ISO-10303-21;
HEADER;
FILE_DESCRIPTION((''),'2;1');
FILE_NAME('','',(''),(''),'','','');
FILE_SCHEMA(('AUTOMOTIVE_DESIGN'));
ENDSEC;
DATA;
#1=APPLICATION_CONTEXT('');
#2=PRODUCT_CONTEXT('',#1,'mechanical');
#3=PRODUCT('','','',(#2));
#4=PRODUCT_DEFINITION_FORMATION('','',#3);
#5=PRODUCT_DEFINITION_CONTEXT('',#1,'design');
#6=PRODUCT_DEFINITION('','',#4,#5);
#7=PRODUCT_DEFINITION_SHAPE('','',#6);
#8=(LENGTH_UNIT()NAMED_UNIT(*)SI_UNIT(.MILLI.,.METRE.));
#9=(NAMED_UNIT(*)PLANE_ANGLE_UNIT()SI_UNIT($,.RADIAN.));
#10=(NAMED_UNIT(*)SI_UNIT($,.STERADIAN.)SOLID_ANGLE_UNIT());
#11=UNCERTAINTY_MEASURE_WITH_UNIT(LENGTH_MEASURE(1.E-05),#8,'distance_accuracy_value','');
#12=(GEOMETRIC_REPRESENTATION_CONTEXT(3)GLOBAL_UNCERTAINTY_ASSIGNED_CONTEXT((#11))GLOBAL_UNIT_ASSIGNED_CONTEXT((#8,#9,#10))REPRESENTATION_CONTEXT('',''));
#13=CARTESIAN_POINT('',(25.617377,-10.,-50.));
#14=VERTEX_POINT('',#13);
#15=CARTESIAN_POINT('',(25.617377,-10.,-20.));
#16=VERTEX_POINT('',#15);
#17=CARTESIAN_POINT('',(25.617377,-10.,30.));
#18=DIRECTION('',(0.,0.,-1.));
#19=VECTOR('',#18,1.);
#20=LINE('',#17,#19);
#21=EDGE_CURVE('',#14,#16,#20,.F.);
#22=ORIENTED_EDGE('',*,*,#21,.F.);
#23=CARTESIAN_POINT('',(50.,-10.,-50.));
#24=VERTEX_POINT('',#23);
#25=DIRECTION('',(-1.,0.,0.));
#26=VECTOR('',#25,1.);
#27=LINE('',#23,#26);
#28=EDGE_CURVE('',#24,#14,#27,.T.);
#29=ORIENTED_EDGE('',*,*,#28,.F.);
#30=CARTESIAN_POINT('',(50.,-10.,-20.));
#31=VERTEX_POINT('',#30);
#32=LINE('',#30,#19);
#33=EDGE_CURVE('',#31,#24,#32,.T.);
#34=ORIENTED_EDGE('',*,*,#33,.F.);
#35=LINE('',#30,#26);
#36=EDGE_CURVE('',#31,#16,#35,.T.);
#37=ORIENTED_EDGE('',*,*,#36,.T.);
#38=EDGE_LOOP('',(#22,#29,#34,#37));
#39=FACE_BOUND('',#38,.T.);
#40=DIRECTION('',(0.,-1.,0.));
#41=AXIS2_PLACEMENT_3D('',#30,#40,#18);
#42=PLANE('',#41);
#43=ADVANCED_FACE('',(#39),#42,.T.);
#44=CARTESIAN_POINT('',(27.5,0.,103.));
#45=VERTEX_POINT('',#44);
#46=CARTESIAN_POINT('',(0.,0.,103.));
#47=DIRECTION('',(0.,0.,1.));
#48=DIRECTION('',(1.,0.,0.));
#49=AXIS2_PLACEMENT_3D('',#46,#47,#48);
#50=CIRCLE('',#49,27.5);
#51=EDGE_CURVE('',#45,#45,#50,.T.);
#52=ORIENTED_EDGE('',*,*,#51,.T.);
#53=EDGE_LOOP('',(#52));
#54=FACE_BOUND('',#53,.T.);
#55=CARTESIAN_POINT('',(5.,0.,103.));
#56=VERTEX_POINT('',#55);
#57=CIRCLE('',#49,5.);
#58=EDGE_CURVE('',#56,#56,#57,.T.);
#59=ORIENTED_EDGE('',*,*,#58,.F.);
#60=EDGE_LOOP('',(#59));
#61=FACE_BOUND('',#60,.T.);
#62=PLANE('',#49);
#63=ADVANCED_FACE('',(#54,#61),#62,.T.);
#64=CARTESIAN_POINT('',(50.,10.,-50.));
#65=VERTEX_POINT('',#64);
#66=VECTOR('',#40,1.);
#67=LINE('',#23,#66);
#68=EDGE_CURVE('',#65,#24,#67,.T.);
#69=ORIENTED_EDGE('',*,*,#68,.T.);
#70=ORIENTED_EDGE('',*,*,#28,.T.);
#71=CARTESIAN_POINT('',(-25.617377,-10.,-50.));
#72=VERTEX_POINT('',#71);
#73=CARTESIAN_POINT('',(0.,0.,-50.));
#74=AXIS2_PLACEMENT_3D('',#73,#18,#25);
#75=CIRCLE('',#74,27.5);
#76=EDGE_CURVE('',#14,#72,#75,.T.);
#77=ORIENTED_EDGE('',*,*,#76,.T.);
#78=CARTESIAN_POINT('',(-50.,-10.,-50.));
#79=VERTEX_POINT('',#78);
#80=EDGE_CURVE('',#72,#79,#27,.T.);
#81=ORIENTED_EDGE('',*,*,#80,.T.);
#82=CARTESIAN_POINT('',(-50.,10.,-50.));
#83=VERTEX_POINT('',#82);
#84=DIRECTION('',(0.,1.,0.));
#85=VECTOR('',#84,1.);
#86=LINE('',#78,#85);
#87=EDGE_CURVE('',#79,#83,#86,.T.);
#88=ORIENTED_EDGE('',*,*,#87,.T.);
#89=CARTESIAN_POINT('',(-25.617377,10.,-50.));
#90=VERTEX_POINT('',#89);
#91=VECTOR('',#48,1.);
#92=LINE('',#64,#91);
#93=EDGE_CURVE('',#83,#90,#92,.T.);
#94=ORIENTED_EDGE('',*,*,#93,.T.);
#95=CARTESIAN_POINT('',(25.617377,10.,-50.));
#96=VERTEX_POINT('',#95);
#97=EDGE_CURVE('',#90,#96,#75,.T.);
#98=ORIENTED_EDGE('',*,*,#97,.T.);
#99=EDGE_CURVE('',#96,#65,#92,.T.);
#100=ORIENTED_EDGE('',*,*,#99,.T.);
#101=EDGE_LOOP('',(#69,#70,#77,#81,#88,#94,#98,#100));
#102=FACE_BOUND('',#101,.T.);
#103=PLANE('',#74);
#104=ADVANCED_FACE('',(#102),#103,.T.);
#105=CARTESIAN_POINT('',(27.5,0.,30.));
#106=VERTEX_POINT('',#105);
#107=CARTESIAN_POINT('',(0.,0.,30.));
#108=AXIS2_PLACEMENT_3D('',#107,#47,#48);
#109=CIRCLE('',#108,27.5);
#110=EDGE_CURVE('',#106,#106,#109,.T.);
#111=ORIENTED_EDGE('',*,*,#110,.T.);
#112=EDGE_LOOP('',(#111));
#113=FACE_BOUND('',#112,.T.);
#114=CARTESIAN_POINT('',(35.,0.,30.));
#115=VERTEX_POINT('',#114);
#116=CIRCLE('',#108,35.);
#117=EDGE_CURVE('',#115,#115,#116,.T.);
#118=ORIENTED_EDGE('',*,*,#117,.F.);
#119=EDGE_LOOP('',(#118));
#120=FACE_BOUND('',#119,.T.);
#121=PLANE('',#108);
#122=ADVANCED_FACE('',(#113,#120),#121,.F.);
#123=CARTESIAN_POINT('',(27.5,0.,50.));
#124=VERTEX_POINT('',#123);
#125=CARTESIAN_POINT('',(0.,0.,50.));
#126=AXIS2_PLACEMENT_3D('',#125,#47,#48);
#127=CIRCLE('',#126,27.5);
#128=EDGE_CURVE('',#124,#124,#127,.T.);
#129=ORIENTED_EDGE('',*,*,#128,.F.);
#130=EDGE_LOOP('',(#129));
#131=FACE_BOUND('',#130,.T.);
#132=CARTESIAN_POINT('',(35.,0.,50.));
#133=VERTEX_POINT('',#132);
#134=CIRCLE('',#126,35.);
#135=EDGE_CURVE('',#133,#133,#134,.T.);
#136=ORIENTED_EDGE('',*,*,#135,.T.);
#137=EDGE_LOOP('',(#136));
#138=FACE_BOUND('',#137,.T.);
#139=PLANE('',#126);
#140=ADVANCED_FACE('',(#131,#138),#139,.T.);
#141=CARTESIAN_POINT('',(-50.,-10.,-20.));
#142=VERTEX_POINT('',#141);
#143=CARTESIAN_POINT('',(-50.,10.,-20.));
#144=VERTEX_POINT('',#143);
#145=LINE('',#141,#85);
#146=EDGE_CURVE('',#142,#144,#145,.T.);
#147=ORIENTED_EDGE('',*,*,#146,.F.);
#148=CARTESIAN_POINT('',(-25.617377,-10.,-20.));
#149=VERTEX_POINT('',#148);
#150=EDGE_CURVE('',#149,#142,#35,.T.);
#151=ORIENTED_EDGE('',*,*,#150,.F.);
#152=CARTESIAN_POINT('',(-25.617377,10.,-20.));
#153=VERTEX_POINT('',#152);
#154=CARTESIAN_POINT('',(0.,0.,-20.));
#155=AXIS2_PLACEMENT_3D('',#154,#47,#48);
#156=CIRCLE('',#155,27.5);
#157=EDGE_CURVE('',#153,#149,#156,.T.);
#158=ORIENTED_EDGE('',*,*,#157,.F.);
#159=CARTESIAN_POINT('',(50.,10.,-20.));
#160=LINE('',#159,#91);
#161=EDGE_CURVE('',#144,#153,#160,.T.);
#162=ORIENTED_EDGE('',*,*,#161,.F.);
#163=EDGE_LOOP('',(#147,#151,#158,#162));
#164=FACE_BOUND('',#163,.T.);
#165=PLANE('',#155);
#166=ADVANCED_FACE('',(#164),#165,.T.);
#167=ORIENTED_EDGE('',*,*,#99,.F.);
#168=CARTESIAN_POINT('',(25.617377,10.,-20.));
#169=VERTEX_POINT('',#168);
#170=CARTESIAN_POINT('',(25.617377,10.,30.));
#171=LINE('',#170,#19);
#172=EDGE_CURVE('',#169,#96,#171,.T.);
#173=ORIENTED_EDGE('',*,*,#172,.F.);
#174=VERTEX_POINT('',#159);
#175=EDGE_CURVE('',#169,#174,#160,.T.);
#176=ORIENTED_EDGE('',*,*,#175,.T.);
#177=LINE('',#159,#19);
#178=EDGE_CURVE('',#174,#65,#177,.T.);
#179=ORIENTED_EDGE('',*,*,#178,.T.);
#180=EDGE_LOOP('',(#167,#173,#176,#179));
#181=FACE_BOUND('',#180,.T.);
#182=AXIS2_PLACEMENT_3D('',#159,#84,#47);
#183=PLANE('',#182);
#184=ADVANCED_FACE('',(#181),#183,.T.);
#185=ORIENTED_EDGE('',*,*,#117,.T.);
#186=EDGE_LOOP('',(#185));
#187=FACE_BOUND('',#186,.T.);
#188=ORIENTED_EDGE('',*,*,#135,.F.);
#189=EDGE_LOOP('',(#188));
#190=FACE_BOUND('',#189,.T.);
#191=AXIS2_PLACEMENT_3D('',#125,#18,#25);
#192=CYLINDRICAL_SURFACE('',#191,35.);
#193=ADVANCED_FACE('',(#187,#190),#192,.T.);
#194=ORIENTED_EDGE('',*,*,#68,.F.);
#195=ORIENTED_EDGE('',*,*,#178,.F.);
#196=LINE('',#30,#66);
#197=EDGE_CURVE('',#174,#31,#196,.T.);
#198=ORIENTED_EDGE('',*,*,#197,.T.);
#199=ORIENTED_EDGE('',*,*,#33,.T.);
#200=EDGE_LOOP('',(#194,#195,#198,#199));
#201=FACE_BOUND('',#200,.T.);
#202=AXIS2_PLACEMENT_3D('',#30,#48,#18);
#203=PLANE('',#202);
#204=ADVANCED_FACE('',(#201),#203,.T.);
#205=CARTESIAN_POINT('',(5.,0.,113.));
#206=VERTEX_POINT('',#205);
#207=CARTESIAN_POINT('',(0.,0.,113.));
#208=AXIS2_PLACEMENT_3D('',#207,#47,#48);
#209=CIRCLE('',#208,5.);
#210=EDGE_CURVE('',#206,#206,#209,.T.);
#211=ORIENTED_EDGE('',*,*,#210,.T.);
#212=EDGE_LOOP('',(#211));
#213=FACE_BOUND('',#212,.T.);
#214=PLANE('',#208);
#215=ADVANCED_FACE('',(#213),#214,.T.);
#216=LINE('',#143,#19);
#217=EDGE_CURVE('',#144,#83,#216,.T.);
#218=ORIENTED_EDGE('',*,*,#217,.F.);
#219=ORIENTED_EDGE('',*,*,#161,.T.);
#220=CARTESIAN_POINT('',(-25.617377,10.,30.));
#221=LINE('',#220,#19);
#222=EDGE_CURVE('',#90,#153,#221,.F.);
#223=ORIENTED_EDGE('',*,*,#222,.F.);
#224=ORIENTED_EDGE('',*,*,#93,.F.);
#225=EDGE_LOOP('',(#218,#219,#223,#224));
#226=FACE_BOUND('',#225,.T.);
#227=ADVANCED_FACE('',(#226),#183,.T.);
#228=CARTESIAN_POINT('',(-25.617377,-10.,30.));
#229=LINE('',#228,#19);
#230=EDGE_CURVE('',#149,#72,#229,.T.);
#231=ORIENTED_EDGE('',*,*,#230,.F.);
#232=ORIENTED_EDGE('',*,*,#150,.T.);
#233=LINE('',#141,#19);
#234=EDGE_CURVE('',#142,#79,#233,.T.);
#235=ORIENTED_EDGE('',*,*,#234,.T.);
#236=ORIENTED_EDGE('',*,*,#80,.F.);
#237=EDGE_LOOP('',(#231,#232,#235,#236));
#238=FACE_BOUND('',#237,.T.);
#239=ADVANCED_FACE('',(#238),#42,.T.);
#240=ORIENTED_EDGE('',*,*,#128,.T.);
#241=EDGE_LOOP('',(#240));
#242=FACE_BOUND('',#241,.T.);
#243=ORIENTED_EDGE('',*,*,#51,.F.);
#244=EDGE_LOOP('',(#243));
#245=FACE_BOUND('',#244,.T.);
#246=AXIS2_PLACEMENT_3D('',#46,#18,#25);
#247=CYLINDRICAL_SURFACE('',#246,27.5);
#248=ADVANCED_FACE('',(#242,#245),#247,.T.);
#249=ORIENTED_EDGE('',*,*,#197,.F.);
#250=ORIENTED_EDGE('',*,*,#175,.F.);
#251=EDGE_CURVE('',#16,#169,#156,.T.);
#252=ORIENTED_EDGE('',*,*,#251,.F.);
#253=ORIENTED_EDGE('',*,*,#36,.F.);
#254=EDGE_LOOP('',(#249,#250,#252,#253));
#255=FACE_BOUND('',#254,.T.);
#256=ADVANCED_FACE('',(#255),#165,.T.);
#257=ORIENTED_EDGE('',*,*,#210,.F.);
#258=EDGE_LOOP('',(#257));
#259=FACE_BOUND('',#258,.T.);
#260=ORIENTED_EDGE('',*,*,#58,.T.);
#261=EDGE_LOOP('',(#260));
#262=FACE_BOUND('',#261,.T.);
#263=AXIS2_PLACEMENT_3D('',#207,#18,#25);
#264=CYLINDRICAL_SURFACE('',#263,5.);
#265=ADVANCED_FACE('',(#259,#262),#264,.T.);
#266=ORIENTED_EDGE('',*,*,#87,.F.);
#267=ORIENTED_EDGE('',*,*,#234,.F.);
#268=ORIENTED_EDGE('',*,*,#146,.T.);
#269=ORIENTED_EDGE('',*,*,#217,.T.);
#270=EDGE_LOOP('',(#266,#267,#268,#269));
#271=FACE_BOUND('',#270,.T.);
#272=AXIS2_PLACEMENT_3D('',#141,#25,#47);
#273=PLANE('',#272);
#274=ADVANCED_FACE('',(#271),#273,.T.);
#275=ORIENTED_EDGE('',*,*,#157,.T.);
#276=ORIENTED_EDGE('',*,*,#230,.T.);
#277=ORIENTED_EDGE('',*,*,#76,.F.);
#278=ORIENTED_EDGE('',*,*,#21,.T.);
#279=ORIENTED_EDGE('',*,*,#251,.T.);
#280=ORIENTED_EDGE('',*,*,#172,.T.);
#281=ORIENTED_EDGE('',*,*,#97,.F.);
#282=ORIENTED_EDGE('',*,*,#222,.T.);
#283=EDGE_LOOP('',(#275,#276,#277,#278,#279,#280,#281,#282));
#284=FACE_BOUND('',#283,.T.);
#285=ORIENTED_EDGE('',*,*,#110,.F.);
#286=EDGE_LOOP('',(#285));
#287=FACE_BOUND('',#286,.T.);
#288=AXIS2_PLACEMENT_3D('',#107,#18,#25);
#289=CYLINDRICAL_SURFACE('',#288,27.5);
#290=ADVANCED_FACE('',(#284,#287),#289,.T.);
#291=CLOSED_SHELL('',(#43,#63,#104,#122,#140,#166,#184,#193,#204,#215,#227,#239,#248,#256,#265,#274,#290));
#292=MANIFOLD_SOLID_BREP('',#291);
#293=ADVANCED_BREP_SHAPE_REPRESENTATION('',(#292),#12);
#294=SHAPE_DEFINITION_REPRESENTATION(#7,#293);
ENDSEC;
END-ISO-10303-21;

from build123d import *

# Parameters (mm, degrees)
SKETCH1_R           = 27.5
BOSS_EXTRUDE1_DEPTH = 30
SKETCH2_R           = 35
BOSS_EXTRUDE2_DEPTH = 20
SKETCH3_R           = 27.5
BOSS_EXTRUDE3_DEPTH = 53
SKETCH4_R           = 5
BOSS_EXTRUDE4_DEPTH = 10
BOSS_EXTRUDE5_START = 50
SKETCH5_R           = 27.5
BOSS_EXTRUDE5_DEPTH = 50
SKETCH8_W           = 100
SKETCH8_H           = 20
BOSS_EXTRUDE6_DEPTH = 30


with BuildPart() as part:
    # Sketch1 → Boss-Extrude1 (new body)
    with BuildSketch(Plane.XY):
        Circle(SKETCH1_R)
    extrude(amount=BOSS_EXTRUDE1_DEPTH)

    # Sketch2 → Boss-Extrude2 (add)
    with BuildSketch(Plane.XY.offset(30)):
        Circle(SKETCH2_R)
    extrude(amount=BOSS_EXTRUDE2_DEPTH)

    # Sketch3 → Boss-Extrude3 (add)
    with BuildSketch(Plane.XY.offset(50)):
        Circle(SKETCH3_R)
    extrude(amount=BOSS_EXTRUDE3_DEPTH)

    # Sketch4 → Boss-Extrude4 (add)
    with BuildSketch(Plane.XY.offset(103)):
        Circle(SKETCH4_R)
    extrude(amount=BOSS_EXTRUDE4_DEPTH)

    # Sketch5 → Boss-Extrude5 (add)
    with BuildSketch(Plane(origin=(0, 0, 0), x_dir=(-1, 0, 0), z_dir=(0, 0, -1)).offset(BOSS_EXTRUDE5_START)):
        Circle(SKETCH5_R)
    extrude(amount=-BOSS_EXTRUDE5_DEPTH)

    # Sketch8 → Boss-Extrude6 (add)
    with BuildSketch(Plane(origin=(0, 0, -50), x_dir=(-1, 0, 0), z_dir=(0, 0, -1))):
        Rectangle(SKETCH8_W, SKETCH8_H)
    extrude(amount=-BOSS_EXTRUDE6_DEPTH)


solid = part.part
